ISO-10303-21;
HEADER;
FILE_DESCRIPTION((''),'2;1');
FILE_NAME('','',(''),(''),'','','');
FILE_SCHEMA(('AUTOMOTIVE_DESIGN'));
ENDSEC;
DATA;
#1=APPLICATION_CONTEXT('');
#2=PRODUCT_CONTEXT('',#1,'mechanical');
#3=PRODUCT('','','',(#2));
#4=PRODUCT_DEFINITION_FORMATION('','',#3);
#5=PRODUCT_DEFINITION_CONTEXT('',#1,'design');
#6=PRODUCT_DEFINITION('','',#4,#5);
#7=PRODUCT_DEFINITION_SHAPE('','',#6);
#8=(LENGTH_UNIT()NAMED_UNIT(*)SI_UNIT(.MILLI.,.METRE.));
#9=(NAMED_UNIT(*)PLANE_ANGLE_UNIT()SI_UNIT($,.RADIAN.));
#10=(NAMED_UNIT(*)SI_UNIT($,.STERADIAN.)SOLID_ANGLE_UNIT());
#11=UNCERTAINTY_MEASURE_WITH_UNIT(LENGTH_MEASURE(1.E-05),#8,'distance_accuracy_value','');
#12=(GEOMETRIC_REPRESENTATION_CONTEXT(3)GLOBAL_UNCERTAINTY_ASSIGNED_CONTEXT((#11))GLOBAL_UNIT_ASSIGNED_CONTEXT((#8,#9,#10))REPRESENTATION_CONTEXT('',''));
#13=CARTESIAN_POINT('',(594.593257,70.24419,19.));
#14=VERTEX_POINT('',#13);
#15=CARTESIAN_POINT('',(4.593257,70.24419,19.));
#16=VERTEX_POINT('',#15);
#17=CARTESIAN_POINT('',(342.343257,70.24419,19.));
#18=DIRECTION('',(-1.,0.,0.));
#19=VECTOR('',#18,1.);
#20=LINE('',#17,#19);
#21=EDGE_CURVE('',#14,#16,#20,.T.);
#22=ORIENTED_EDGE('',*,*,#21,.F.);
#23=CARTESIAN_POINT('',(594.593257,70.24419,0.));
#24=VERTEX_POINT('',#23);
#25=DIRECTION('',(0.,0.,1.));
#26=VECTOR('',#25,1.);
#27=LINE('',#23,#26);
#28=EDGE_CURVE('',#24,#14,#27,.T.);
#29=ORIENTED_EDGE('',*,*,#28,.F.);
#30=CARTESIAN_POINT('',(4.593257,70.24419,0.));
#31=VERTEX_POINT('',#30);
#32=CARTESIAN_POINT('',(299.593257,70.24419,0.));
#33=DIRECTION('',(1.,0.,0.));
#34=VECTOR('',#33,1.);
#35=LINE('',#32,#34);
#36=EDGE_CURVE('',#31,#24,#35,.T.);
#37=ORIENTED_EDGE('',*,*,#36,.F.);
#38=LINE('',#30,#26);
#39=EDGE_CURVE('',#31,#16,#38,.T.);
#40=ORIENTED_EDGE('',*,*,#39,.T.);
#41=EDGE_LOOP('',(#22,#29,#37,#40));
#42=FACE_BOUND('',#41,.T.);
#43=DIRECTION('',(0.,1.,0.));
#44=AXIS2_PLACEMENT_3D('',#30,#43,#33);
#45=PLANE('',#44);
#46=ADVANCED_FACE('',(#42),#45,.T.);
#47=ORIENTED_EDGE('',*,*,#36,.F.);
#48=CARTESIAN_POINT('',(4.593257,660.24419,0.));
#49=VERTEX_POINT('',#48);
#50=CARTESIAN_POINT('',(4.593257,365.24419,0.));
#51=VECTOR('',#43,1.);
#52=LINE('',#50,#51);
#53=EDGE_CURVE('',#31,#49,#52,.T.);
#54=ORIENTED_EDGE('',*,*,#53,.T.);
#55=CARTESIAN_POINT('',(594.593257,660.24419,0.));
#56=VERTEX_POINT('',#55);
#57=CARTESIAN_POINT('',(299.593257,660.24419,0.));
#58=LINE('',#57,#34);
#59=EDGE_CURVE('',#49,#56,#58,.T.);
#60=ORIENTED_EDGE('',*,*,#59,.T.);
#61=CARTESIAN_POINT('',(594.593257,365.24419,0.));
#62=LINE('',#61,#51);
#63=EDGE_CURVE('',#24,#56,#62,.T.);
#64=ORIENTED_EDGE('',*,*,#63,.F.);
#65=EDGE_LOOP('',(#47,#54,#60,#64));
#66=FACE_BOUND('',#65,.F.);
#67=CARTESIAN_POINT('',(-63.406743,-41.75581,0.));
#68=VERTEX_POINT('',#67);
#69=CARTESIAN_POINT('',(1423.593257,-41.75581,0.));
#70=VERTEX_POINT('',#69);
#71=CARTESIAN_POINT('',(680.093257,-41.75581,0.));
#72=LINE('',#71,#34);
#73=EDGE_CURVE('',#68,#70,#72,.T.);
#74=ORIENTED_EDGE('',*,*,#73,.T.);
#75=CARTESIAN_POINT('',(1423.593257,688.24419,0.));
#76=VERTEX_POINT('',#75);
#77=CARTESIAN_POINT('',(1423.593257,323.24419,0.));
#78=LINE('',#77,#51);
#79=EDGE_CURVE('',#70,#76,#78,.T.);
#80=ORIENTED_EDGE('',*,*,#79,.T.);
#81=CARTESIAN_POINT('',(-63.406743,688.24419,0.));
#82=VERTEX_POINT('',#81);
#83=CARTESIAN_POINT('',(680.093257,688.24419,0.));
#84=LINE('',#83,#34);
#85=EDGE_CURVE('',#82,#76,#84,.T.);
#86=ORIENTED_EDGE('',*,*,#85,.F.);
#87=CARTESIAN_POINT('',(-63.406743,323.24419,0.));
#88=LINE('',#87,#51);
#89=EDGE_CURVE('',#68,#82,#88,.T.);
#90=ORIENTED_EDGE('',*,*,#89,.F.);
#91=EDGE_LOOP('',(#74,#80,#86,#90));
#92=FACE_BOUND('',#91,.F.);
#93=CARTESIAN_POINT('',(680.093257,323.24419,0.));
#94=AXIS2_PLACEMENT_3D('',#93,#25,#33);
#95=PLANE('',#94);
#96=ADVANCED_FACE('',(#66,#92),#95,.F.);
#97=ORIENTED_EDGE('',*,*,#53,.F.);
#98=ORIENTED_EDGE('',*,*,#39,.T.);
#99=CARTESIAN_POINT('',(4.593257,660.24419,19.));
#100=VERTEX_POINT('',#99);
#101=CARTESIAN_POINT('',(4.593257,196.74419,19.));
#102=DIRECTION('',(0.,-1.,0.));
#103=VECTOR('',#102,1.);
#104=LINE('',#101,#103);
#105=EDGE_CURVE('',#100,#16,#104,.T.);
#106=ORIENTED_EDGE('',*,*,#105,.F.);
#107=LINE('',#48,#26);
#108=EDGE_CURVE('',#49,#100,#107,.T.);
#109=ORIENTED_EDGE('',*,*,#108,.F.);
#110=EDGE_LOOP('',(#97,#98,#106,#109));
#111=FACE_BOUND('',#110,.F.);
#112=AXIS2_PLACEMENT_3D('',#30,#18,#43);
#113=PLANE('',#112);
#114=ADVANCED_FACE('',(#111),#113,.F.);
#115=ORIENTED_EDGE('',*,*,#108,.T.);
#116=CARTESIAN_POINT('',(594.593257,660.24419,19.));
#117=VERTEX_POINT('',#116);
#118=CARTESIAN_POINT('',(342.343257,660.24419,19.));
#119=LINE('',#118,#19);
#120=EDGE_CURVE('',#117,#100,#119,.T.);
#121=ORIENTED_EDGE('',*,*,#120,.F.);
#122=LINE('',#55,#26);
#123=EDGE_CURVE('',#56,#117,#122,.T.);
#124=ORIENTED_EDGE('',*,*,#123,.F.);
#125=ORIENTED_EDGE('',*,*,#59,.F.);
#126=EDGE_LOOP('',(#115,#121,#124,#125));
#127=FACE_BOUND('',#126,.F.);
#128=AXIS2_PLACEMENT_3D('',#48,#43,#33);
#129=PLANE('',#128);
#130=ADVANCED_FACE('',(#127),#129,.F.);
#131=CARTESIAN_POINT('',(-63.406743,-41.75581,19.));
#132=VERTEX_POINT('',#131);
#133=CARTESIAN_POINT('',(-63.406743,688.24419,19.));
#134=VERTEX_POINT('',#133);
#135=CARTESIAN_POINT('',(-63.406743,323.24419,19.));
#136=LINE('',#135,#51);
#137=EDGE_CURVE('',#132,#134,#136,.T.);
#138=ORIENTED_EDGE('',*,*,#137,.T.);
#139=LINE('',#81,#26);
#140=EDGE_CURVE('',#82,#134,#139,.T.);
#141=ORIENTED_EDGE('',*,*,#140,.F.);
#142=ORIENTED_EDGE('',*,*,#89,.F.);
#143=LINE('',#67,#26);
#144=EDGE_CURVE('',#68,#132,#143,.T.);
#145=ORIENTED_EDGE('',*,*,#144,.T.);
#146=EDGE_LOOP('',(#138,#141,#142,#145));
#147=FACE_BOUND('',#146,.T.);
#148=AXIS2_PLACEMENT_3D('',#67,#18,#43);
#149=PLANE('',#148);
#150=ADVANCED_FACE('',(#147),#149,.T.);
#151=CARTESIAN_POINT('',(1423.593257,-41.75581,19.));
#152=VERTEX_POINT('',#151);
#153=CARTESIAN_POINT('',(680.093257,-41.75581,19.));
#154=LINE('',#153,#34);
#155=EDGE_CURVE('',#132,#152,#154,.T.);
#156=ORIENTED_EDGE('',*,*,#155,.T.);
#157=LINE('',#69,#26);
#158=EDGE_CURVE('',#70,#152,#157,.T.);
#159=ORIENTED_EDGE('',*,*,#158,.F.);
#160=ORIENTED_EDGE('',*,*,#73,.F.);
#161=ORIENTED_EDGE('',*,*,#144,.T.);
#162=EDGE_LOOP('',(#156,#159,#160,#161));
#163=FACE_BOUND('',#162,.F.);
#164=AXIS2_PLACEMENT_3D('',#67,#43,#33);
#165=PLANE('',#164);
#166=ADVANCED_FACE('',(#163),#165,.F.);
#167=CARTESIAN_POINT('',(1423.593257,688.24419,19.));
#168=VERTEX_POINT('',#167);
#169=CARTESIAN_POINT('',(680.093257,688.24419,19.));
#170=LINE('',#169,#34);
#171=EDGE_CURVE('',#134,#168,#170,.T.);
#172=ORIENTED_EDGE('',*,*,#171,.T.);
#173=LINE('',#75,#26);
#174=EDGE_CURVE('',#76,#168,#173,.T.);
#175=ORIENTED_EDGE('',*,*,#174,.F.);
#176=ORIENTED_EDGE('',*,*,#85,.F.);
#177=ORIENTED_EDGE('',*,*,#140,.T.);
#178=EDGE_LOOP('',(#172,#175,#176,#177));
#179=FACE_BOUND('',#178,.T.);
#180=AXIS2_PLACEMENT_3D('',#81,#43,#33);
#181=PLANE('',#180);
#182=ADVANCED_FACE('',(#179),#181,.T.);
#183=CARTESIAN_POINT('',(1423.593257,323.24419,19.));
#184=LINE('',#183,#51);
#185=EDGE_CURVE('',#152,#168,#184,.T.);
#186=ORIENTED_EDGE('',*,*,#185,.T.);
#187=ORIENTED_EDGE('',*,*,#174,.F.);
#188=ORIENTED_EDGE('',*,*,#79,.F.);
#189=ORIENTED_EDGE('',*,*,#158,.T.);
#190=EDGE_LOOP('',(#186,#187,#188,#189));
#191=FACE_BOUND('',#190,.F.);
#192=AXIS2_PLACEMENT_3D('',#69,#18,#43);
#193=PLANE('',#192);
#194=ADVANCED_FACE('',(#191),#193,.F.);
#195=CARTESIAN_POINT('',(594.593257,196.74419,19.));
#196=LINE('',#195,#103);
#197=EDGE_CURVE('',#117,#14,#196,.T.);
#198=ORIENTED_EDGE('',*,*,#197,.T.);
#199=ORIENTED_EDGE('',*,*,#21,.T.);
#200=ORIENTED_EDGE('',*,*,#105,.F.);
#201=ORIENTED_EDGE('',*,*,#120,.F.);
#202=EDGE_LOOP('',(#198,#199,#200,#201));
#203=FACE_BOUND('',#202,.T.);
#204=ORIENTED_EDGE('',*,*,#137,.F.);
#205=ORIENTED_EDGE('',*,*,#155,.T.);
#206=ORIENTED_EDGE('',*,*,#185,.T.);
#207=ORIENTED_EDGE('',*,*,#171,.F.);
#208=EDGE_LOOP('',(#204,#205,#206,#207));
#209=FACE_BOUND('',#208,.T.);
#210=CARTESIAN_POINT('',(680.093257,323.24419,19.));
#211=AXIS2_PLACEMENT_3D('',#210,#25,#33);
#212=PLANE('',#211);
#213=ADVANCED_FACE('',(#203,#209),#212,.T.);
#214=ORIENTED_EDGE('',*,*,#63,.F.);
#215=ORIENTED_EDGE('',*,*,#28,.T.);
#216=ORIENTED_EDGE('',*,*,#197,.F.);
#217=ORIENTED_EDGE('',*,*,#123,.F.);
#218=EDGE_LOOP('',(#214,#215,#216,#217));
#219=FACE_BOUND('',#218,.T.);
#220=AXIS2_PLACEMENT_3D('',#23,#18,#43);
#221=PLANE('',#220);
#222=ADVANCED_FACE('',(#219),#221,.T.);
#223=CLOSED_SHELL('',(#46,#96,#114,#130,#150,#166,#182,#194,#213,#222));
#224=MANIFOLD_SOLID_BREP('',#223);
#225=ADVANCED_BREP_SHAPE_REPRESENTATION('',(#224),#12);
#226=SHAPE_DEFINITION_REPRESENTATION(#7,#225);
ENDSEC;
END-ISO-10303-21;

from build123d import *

# Parameters (mm, degrees)
F0_W     = 1487
F0_H     = 730
F1_DEPTH = 19
F2_W     = 590
F2_H     = 590
F3_DEPTH = 25


with BuildPart() as f1:
    # F0 (on Top) → F1 (new body)
    with BuildSketch(Plane.XY):
        with Locations((680.093257, 323.24419)):
            Rectangle(F0_W, F0_H)
    extrude(amount=F1_DEPTH)

    # F2 (on Top) → F3 (cut)
    with BuildSketch(Plane.XY):
        with Locations((299.593257, 365.24419)):
            Rectangle(F2_W, F2_H)
    extrude(amount=F3_DEPTH, mode=Mode.SUBTRACT)


solid = f1.part
